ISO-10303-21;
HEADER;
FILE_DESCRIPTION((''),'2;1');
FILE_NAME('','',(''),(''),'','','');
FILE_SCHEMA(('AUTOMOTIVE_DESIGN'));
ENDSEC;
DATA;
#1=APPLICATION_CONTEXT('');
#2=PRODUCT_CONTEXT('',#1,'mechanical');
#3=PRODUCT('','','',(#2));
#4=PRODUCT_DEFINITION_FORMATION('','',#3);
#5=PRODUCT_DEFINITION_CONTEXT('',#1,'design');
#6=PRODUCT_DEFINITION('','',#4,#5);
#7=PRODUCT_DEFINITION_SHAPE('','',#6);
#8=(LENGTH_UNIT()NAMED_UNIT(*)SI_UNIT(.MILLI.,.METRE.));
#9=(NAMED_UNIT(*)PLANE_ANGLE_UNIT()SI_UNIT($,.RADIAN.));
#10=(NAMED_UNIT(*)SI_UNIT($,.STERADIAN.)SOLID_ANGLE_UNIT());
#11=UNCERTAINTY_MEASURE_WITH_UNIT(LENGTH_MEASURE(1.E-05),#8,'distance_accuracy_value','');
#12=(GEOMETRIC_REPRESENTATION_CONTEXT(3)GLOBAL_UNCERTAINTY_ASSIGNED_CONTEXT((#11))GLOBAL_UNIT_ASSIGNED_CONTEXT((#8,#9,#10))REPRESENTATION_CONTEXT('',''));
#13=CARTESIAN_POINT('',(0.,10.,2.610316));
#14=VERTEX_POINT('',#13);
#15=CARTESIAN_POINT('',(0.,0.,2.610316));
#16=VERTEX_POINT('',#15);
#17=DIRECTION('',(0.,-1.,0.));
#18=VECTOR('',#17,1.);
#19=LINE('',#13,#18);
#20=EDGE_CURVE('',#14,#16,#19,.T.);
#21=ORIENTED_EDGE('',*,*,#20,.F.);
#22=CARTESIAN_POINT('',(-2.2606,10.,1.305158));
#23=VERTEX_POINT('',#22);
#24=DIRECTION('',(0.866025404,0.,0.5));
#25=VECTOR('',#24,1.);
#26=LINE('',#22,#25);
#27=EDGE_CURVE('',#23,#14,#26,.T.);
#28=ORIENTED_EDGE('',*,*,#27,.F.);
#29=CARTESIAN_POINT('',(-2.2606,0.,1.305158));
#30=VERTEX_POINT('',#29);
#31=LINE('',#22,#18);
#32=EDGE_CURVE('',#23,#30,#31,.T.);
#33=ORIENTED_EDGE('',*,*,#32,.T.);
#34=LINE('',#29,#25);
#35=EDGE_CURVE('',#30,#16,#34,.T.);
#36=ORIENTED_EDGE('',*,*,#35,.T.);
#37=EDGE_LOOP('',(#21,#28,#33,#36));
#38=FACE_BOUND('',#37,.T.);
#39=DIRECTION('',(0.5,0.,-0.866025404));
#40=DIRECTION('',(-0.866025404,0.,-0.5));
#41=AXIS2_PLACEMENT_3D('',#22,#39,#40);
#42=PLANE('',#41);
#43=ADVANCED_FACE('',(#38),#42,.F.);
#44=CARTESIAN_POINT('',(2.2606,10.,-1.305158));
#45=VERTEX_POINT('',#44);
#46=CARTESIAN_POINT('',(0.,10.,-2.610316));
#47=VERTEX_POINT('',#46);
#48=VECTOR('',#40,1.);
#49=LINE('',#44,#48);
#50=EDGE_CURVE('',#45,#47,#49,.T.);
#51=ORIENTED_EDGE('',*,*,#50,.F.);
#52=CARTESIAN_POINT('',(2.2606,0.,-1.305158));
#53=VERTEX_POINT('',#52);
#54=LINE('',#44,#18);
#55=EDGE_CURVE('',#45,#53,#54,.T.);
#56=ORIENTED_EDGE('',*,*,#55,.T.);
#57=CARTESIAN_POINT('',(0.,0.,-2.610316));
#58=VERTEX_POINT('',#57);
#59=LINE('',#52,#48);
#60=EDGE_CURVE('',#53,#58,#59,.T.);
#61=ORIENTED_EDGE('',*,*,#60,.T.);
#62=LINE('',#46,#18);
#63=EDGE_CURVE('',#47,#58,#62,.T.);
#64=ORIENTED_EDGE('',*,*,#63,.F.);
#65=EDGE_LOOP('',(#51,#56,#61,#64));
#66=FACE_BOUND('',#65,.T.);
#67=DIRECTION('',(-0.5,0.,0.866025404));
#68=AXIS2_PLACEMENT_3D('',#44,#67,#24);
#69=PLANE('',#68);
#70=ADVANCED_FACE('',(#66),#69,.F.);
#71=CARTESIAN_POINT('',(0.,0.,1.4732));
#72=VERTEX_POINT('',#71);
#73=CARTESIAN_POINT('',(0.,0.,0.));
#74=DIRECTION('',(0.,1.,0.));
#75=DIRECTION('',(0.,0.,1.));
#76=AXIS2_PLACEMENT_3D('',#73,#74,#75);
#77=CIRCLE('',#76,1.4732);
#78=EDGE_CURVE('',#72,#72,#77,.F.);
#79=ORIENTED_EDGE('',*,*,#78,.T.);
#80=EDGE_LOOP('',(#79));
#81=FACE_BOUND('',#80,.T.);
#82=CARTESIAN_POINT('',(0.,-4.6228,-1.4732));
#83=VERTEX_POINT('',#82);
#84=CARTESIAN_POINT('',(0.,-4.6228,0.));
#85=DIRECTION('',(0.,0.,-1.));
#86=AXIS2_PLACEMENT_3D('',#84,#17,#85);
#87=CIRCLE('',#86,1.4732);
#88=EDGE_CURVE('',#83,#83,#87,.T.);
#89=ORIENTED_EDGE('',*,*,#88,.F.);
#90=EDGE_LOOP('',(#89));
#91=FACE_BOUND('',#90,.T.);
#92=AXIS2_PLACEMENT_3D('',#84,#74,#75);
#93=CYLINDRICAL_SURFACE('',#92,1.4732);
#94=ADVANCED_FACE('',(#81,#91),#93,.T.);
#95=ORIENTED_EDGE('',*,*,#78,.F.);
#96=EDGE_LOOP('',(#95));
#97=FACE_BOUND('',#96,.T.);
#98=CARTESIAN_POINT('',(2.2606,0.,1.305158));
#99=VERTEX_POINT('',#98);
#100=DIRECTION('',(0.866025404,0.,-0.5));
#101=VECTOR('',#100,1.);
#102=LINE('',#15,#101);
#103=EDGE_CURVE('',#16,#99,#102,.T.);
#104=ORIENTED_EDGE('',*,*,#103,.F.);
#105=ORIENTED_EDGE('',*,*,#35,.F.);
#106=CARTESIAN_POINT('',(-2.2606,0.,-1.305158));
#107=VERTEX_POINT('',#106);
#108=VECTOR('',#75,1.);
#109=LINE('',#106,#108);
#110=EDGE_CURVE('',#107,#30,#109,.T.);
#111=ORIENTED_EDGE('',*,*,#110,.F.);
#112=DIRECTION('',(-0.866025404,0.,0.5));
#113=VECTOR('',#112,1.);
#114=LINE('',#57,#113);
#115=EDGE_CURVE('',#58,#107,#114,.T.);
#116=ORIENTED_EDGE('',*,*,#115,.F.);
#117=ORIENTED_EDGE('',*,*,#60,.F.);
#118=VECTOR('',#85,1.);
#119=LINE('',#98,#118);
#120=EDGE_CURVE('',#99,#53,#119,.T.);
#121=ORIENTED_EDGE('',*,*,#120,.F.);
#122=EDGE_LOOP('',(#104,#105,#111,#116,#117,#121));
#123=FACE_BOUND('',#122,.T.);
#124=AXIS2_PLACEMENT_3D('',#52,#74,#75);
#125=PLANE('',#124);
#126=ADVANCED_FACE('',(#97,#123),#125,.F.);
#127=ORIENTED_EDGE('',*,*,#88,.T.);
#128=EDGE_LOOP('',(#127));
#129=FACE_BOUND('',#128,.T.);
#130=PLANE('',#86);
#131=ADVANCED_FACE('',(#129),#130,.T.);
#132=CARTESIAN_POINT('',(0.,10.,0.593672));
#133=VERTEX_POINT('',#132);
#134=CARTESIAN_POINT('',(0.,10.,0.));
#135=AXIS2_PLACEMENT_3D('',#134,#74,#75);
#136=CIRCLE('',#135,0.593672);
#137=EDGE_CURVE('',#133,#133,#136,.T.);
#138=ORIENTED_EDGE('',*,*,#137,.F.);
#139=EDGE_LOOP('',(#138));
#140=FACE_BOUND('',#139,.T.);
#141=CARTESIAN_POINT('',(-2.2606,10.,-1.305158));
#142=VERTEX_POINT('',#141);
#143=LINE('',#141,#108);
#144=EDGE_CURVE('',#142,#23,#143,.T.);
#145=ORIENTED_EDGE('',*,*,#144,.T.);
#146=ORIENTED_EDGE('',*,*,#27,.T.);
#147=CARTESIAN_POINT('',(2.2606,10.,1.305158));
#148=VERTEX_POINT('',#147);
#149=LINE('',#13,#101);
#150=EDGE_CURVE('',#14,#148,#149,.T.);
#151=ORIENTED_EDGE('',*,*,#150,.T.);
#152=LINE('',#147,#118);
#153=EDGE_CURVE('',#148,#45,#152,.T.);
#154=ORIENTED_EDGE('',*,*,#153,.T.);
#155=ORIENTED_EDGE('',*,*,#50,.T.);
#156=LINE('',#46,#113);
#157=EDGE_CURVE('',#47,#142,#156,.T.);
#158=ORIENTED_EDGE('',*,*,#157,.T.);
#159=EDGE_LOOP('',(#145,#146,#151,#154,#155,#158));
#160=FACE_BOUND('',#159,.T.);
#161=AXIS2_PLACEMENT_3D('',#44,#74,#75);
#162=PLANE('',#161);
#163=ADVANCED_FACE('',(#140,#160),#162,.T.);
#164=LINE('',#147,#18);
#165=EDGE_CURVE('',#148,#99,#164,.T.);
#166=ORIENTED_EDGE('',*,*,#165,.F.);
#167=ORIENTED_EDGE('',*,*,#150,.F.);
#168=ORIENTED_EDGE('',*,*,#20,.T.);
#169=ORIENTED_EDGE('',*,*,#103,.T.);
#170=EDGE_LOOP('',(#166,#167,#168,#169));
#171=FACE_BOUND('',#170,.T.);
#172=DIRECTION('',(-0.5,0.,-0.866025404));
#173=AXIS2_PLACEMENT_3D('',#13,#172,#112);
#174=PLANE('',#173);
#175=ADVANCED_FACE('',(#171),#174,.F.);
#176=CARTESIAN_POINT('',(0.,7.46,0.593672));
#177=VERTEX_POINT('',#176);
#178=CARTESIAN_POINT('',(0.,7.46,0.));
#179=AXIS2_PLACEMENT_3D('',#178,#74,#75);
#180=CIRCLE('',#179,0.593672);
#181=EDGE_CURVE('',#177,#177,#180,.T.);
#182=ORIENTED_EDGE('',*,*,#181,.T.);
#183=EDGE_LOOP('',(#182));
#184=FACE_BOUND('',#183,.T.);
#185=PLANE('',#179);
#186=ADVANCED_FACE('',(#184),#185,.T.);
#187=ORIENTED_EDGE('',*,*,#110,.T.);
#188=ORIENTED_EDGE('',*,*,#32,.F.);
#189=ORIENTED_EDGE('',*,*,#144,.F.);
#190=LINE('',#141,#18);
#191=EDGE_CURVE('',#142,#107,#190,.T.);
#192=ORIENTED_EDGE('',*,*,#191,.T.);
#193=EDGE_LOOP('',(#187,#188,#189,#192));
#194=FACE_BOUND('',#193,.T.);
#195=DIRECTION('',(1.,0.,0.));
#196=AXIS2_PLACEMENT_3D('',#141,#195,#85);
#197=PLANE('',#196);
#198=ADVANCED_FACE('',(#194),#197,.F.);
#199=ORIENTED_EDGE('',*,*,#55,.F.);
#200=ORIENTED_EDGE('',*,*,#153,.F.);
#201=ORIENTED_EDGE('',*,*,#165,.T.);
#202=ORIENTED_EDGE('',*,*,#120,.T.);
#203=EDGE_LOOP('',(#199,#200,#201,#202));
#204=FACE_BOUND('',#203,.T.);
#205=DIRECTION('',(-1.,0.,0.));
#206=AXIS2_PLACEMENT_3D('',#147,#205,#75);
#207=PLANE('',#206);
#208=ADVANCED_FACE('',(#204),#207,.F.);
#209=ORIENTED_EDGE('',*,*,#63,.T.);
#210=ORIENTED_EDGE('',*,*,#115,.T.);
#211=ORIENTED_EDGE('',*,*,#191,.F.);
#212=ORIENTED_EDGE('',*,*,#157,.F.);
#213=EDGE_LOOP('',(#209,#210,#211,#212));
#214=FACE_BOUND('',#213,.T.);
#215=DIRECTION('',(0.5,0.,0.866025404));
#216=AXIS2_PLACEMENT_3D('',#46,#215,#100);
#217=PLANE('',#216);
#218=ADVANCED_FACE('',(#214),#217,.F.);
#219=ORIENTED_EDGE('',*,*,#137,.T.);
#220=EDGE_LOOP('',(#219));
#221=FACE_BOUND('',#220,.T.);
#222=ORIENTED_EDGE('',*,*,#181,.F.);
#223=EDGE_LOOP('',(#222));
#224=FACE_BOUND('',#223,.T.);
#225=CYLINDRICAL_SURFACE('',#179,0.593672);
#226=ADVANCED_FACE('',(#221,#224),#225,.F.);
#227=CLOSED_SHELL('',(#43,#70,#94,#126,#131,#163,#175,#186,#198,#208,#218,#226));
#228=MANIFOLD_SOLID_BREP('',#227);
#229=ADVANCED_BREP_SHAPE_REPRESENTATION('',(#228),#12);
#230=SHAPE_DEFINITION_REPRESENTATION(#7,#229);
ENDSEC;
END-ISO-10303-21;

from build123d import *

# Parameters (mm, degrees)
BOSS_EXTRUDE1_DEPTH = 10
SKETCH2_R           = 1.4732
BOSS_EXTRUDE2_DEPTH = 4.6228
SKETCH3_R           = 0.593671867
CUT_EXTRUDE1_DEPTH  = 2.54


with BuildPart() as part:
    # Sketch1 → Boss-Extrude1 (new body)
    with BuildSketch(Plane(origin=(0, 0, 0), x_dir=(1, 0, 0), z_dir=(0, 1, 0))):
        Polygon((2.2606, 1.305158019), (0, 2.610316037), (-2.2606, 1.305158019), (-2.2606, -1.305158019), (0, -2.610316037), (2.2606, -1.305158019), align=None)
    extrude(amount=BOSS_EXTRUDE1_DEPTH)

    # Sketch2 → Boss-Extrude2 (add)
    with BuildSketch(Plane.XZ):
        with Locations(Location((0, 0, 0), (0, 0, 90))):
            Circle(SKETCH2_R)
    extrude(amount=BOSS_EXTRUDE2_DEPTH)

    # Sketch3 → Cut-Extrude1 (cut)
    with BuildSketch(Plane(origin=(0, 10, 0), x_dir=(1, 0, 0), z_dir=(0, 1, 0))):
        with Locations(Location((0, 0, 0), (0, 0, 270))):
            Circle(SKETCH3_R)
    extrude(amount=-CUT_EXTRUDE1_DEPTH, mode=Mode.SUBTRACT)


solid = part.part
